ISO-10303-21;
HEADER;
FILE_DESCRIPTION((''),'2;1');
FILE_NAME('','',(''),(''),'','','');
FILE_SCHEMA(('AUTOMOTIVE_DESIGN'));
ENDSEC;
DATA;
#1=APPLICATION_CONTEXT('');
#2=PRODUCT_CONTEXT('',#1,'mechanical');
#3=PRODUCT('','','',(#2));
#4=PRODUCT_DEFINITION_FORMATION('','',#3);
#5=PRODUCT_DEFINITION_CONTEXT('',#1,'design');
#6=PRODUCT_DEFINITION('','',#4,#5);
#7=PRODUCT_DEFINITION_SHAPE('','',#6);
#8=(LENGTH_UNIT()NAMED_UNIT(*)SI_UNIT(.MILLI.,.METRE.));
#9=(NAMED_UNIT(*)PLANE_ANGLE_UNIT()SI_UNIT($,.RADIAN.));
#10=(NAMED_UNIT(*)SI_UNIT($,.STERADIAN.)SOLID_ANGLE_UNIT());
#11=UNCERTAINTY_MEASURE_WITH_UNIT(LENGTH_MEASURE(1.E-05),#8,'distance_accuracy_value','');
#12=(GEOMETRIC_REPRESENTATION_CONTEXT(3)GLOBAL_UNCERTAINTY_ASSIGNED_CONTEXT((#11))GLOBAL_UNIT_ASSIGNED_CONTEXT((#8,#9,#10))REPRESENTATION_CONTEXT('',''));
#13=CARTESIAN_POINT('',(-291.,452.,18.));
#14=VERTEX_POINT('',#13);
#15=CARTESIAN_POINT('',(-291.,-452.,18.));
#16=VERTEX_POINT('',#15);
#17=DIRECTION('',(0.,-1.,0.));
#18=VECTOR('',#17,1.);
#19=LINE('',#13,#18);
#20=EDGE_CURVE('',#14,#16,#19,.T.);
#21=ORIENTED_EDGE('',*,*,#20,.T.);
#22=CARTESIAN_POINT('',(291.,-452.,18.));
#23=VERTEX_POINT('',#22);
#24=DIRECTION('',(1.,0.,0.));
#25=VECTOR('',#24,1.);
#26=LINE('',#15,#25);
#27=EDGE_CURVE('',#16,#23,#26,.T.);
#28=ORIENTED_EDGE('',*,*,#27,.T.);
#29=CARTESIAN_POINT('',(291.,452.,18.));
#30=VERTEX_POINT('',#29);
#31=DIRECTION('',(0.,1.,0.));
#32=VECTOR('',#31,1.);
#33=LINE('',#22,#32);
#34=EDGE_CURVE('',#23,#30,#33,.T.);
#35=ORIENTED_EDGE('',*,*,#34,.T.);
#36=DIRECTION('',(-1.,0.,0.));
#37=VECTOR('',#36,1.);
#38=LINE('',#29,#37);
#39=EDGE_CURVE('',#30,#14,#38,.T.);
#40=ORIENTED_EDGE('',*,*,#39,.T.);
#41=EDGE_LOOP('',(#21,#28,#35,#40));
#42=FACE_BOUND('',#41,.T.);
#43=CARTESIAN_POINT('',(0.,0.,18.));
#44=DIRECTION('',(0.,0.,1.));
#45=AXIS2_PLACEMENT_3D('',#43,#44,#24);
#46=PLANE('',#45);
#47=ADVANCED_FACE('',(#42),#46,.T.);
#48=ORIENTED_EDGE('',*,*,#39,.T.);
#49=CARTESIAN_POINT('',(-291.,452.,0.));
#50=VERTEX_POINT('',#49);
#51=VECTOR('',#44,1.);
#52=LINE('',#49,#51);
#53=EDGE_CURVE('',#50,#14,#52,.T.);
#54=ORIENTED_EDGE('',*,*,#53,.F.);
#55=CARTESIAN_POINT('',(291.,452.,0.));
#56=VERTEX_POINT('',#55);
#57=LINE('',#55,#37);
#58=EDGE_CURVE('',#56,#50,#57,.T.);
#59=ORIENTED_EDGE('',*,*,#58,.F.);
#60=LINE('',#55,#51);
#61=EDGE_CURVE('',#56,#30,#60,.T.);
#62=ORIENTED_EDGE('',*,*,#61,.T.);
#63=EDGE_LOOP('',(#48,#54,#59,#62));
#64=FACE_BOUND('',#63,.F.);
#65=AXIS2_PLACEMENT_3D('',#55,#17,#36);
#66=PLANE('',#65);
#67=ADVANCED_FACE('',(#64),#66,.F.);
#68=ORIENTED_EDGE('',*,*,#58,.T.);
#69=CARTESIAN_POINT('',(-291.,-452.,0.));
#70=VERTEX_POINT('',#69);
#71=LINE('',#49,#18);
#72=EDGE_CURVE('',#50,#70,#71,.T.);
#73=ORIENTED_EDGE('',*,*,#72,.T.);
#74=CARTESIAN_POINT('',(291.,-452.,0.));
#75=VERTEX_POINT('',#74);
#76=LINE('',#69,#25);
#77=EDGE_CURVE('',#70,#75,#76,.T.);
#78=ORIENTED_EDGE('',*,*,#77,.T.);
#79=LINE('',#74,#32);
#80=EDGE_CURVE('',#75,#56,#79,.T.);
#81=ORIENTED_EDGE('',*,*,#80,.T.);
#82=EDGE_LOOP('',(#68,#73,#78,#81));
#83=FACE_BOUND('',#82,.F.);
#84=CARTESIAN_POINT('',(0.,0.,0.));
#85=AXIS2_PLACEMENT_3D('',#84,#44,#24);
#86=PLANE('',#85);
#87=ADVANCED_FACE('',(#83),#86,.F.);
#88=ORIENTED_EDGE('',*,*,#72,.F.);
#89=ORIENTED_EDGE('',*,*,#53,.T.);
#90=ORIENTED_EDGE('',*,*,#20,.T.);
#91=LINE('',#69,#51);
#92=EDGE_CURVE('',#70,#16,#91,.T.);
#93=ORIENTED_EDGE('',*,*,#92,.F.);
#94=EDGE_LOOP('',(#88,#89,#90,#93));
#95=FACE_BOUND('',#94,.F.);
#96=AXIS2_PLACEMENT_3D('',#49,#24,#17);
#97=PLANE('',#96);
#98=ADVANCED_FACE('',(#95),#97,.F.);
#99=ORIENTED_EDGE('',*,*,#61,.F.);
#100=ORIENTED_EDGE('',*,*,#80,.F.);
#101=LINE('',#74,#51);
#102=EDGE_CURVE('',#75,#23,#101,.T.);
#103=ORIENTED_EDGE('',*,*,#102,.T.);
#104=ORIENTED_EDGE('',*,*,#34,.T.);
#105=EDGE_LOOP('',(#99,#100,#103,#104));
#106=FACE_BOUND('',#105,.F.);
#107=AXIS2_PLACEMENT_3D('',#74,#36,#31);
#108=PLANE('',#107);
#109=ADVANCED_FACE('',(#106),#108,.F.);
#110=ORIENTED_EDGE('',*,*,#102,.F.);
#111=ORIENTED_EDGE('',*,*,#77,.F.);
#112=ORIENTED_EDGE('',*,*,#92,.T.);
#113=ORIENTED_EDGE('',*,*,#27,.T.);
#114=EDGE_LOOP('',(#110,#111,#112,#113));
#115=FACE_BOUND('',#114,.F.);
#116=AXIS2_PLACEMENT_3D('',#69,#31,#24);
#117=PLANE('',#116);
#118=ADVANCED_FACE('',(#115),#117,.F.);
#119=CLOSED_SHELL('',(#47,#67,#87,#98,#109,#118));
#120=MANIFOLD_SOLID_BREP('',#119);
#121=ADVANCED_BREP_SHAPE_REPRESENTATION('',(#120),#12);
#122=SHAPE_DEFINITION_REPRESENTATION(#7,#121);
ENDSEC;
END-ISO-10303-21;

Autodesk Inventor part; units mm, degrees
ref_plane "YZ Plane" through (0, 0, 0) normal (1, 0, 0) x (0, 1, 0)
ref_plane "XZ Plane" through (0, 0, 0) normal (0, 1, 0) x (-1, 0, 0)
ref_plane "XY Plane" through (0, 0, 0) normal (0, 0, 1) x (1, 0, 0)
sketch "Skizze1" plane through (0, 0, 0) normal (0, 0, 1) x (1, 0, 0)
  line L0 (-291, -452) -> (291, -452)
  line L1 (291, -452) -> (291, 452)
  line L2 (291, 452) -> (-291, 452)
  line L3 (-291, 452) -> (-291, -452)
  line L4 (-291, -452) -> (291, 452) construction
  line L5 (291, -452) -> (-291, 452) construction
  point P0 (0, 0)
  dimension "d0" = 582
  dimension "d1" = 904
extrude "Extrusion1" add sketch "Skizze1" along normal blind 18
equation "\"d0\" = case_depth - case_thickness"
equation "\"d1\" = case_height - 2 * case_thickness"
equation "\"d2\" = case_thickness"
equation "\"kg_thickness\" = 4.9"
equation "\"ht_thickness\" = 1.9"
equation "\"case_thickness\" = 18"
equation "\"inner_thickness\" = 15"
equation "\"gap_fit\" = 0.1"
equation "\"gap_slide\" = 0.2"
equation "\"gap_air\" = 1"
equation "\"bore_diameter\" = 73"
equation "\"case_depth\" = 600"
equation "\"mdf_thickness\" = 6"
equation "\"tape_width\" = 15"
equation "\"tape_thickness\" = 3"
equation "\"inner_depth\" = 255"
equation "\"case_height\" = 940"
properties part number "Korpus_Seite"
